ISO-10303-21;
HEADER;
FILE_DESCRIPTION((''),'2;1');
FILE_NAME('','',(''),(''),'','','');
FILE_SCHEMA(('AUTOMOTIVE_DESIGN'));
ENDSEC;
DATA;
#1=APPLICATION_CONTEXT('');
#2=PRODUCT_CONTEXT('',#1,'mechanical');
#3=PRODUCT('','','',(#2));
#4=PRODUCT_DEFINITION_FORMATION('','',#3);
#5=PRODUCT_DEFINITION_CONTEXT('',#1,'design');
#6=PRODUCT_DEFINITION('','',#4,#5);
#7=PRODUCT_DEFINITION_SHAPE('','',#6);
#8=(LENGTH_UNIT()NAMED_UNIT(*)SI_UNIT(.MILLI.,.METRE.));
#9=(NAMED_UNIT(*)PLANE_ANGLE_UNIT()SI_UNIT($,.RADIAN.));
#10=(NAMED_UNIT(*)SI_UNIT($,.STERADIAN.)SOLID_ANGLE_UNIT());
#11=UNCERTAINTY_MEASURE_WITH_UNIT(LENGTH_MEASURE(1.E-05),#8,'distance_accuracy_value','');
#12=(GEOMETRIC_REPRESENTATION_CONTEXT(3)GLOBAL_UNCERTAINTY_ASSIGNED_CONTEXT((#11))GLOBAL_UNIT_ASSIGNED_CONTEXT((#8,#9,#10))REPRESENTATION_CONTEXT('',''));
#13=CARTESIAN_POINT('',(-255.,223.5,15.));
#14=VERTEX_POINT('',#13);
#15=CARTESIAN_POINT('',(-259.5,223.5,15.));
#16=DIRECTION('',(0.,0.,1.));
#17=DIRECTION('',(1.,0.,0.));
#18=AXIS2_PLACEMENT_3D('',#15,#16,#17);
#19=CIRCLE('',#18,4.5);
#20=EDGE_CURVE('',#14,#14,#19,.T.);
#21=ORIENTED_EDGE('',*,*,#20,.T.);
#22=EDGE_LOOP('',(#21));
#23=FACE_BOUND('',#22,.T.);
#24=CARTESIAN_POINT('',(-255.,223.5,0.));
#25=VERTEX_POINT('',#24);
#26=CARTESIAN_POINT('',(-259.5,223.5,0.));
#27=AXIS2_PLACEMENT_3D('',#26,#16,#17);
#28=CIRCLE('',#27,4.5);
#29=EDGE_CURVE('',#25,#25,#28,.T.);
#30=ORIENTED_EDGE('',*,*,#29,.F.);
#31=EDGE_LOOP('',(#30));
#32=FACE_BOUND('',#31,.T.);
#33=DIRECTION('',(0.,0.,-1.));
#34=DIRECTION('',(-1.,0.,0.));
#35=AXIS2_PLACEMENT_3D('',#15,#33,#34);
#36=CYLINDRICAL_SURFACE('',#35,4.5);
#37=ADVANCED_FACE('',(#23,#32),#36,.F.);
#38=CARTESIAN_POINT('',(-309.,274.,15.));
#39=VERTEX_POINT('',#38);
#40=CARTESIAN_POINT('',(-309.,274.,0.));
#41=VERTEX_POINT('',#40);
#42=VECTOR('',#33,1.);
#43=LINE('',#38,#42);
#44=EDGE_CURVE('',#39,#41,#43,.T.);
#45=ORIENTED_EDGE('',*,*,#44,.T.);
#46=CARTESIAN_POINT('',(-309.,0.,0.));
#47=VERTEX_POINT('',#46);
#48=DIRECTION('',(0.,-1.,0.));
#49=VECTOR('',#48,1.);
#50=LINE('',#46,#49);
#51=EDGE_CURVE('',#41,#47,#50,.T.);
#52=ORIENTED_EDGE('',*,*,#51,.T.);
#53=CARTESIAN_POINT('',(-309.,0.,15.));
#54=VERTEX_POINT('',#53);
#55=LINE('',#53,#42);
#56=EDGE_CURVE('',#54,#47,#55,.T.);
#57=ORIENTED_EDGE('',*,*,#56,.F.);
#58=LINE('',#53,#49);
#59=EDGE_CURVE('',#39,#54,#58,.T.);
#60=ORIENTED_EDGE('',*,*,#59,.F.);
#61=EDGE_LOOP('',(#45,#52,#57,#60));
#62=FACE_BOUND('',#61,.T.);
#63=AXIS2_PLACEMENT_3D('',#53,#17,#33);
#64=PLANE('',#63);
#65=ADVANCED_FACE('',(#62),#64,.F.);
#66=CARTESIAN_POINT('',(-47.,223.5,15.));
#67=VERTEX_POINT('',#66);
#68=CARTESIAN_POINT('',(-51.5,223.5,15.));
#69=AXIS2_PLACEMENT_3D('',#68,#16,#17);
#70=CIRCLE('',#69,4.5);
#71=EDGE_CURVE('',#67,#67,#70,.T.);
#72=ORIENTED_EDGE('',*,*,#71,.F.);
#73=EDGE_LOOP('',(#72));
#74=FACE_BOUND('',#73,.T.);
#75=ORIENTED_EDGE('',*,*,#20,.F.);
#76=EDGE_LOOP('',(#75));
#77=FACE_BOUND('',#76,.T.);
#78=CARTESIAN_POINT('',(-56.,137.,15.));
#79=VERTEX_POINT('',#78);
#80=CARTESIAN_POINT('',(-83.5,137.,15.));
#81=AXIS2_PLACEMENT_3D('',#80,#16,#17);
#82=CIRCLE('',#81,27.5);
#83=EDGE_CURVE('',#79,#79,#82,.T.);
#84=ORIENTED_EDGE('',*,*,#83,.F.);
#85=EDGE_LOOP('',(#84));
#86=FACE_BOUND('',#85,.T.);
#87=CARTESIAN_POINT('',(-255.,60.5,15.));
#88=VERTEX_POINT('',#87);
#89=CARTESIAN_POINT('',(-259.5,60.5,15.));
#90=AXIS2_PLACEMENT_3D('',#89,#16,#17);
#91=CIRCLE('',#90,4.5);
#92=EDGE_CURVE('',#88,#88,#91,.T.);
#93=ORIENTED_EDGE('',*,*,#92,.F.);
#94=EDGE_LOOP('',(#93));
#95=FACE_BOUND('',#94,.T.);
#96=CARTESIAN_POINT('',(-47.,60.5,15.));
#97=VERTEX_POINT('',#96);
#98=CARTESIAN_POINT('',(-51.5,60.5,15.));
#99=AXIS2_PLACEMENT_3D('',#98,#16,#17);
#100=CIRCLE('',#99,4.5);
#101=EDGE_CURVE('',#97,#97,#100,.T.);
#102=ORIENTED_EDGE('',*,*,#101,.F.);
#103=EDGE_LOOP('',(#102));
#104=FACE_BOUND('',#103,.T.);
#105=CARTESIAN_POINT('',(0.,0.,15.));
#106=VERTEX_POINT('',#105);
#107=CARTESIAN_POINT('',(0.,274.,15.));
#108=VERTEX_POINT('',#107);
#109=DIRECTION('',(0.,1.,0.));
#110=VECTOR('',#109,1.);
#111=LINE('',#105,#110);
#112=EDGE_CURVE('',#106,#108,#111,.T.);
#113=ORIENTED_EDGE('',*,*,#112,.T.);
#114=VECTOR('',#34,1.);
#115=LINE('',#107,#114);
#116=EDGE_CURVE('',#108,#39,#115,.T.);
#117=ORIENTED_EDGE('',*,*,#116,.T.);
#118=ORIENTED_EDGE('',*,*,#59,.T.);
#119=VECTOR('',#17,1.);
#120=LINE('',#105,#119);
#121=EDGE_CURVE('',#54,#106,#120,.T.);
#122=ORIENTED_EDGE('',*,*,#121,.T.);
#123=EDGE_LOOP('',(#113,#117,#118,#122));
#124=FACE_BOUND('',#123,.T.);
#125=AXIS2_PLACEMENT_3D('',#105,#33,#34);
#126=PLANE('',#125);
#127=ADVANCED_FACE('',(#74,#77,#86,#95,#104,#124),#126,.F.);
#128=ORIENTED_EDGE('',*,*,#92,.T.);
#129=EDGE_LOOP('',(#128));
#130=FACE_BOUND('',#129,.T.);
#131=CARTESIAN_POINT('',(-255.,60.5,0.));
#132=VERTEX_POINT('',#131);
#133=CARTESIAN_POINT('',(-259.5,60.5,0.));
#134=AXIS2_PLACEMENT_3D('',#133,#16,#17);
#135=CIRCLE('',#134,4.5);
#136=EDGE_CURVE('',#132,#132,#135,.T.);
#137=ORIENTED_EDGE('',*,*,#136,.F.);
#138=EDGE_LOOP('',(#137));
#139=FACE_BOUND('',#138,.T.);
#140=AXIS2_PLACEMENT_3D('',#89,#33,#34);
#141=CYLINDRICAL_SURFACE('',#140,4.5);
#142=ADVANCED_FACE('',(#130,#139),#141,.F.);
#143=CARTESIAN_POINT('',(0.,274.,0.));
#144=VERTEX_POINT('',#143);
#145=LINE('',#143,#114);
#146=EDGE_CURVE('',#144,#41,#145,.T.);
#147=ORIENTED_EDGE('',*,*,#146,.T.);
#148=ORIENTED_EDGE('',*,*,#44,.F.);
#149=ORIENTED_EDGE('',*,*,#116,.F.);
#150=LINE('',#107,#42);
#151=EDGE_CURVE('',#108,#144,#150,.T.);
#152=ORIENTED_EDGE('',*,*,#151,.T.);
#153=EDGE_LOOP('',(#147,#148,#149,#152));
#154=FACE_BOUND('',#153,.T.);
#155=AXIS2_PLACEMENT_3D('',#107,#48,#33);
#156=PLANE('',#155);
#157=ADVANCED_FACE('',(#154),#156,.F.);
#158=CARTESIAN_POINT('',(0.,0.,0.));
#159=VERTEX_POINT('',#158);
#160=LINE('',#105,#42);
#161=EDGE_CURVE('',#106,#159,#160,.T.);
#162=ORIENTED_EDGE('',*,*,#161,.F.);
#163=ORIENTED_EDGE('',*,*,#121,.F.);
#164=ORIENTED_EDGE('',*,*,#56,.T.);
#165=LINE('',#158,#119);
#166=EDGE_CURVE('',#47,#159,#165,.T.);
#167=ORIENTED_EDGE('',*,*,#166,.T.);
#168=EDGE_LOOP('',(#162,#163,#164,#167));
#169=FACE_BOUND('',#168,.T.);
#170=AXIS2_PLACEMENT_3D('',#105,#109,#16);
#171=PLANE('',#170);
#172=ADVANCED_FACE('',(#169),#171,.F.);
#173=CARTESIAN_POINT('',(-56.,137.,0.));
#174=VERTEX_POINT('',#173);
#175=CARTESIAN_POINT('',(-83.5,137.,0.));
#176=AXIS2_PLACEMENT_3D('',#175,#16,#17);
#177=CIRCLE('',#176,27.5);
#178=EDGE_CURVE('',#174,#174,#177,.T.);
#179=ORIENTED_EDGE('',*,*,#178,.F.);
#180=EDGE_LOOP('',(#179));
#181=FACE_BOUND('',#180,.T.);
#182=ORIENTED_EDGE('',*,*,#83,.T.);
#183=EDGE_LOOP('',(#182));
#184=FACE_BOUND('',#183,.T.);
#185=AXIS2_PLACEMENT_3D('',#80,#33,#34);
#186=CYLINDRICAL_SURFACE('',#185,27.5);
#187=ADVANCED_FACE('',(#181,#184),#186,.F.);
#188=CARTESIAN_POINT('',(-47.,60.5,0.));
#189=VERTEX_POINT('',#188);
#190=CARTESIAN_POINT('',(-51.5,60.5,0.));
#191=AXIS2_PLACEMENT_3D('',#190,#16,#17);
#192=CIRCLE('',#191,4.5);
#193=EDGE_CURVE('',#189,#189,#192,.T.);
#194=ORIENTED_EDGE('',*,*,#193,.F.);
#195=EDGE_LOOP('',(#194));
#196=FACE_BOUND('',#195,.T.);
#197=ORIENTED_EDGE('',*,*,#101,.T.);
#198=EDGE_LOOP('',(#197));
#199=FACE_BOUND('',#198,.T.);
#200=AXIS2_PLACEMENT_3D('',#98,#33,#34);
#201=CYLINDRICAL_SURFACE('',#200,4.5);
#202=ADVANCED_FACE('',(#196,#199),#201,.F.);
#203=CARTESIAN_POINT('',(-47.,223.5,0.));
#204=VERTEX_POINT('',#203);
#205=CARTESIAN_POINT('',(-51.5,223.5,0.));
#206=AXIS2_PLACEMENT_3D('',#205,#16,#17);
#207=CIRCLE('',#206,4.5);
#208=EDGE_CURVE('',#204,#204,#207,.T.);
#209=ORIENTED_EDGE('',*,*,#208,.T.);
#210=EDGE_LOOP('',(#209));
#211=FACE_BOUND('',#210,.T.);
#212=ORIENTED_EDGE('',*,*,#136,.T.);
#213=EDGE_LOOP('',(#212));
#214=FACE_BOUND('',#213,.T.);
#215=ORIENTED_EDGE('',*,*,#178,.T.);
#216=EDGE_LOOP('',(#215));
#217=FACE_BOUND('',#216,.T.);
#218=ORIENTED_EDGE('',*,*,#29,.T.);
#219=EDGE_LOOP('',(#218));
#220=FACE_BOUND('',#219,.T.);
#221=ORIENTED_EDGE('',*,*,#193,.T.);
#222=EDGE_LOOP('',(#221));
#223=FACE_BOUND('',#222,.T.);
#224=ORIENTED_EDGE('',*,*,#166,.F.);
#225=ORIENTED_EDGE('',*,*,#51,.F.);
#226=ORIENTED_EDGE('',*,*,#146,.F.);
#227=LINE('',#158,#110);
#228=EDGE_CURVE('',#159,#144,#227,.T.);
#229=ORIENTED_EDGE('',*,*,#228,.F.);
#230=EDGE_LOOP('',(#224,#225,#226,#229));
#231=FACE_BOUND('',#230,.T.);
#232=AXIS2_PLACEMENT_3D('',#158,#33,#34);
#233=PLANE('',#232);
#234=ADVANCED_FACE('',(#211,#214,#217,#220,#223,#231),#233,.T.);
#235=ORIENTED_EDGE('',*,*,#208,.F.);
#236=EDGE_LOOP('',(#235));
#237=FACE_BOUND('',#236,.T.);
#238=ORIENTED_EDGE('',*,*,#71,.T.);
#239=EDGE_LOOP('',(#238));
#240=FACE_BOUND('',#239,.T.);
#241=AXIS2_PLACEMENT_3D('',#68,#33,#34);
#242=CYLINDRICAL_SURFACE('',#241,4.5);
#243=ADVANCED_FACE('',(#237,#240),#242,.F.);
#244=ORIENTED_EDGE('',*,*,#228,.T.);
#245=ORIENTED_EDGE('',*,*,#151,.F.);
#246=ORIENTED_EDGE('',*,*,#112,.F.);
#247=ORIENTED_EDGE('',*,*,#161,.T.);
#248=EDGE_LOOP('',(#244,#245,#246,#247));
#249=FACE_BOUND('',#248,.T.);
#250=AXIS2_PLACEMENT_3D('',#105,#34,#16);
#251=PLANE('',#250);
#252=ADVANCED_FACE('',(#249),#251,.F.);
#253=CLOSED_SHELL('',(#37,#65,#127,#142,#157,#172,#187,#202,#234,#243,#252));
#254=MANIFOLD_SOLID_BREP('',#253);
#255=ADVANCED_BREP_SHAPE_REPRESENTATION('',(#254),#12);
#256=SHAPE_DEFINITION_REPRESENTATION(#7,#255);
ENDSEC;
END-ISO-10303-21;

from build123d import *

# Parameters (mm, degrees)
CROQUIS2_W              = 274
CROQUIS2_H              = 309
CROQUIS2_R              = 27.5
CROQUIS2_R_2            = 4.5
SALIENTE_EXTRUIR1_DEPTH = 15


with BuildPart() as part:
    # Croquis2 → Saliente-Extruir1 (new body)
    with BuildSketch(Plane(origin=(0, 0, 0), x_dir=(0, 1, 0), z_dir=(0, 0, 1))):
        with Locations((137, 154.5)):
            Rectangle(CROQUIS2_W, CROQUIS2_H)
        with Locations(Location((137, 83.5, 0), (0, 0, 270))):
            Circle(CROQUIS2_R, mode=Mode.SUBTRACT)
        with Locations(Location((60.5, 51.5, 0), (0, 0, 270))):
            Circle(CROQUIS2_R_2, mode=Mode.SUBTRACT)
        with Locations(Location((223.5, 51.5, 0), (0, 0, 270))):
            Circle(CROQUIS2_R_2, mode=Mode.SUBTRACT)
        with Locations(Location((60.5, 259.5, 0), (0, 0, 270))):
            Circle(CROQUIS2_R_2, mode=Mode.SUBTRACT)
        with Locations(Location((223.5, 259.5, 0), (0, 0, 270))):
            Circle(CROQUIS2_R_2, mode=Mode.SUBTRACT)
    extrude(amount=SALIENTE_EXTRUIR1_DEPTH)


solid = part.part
